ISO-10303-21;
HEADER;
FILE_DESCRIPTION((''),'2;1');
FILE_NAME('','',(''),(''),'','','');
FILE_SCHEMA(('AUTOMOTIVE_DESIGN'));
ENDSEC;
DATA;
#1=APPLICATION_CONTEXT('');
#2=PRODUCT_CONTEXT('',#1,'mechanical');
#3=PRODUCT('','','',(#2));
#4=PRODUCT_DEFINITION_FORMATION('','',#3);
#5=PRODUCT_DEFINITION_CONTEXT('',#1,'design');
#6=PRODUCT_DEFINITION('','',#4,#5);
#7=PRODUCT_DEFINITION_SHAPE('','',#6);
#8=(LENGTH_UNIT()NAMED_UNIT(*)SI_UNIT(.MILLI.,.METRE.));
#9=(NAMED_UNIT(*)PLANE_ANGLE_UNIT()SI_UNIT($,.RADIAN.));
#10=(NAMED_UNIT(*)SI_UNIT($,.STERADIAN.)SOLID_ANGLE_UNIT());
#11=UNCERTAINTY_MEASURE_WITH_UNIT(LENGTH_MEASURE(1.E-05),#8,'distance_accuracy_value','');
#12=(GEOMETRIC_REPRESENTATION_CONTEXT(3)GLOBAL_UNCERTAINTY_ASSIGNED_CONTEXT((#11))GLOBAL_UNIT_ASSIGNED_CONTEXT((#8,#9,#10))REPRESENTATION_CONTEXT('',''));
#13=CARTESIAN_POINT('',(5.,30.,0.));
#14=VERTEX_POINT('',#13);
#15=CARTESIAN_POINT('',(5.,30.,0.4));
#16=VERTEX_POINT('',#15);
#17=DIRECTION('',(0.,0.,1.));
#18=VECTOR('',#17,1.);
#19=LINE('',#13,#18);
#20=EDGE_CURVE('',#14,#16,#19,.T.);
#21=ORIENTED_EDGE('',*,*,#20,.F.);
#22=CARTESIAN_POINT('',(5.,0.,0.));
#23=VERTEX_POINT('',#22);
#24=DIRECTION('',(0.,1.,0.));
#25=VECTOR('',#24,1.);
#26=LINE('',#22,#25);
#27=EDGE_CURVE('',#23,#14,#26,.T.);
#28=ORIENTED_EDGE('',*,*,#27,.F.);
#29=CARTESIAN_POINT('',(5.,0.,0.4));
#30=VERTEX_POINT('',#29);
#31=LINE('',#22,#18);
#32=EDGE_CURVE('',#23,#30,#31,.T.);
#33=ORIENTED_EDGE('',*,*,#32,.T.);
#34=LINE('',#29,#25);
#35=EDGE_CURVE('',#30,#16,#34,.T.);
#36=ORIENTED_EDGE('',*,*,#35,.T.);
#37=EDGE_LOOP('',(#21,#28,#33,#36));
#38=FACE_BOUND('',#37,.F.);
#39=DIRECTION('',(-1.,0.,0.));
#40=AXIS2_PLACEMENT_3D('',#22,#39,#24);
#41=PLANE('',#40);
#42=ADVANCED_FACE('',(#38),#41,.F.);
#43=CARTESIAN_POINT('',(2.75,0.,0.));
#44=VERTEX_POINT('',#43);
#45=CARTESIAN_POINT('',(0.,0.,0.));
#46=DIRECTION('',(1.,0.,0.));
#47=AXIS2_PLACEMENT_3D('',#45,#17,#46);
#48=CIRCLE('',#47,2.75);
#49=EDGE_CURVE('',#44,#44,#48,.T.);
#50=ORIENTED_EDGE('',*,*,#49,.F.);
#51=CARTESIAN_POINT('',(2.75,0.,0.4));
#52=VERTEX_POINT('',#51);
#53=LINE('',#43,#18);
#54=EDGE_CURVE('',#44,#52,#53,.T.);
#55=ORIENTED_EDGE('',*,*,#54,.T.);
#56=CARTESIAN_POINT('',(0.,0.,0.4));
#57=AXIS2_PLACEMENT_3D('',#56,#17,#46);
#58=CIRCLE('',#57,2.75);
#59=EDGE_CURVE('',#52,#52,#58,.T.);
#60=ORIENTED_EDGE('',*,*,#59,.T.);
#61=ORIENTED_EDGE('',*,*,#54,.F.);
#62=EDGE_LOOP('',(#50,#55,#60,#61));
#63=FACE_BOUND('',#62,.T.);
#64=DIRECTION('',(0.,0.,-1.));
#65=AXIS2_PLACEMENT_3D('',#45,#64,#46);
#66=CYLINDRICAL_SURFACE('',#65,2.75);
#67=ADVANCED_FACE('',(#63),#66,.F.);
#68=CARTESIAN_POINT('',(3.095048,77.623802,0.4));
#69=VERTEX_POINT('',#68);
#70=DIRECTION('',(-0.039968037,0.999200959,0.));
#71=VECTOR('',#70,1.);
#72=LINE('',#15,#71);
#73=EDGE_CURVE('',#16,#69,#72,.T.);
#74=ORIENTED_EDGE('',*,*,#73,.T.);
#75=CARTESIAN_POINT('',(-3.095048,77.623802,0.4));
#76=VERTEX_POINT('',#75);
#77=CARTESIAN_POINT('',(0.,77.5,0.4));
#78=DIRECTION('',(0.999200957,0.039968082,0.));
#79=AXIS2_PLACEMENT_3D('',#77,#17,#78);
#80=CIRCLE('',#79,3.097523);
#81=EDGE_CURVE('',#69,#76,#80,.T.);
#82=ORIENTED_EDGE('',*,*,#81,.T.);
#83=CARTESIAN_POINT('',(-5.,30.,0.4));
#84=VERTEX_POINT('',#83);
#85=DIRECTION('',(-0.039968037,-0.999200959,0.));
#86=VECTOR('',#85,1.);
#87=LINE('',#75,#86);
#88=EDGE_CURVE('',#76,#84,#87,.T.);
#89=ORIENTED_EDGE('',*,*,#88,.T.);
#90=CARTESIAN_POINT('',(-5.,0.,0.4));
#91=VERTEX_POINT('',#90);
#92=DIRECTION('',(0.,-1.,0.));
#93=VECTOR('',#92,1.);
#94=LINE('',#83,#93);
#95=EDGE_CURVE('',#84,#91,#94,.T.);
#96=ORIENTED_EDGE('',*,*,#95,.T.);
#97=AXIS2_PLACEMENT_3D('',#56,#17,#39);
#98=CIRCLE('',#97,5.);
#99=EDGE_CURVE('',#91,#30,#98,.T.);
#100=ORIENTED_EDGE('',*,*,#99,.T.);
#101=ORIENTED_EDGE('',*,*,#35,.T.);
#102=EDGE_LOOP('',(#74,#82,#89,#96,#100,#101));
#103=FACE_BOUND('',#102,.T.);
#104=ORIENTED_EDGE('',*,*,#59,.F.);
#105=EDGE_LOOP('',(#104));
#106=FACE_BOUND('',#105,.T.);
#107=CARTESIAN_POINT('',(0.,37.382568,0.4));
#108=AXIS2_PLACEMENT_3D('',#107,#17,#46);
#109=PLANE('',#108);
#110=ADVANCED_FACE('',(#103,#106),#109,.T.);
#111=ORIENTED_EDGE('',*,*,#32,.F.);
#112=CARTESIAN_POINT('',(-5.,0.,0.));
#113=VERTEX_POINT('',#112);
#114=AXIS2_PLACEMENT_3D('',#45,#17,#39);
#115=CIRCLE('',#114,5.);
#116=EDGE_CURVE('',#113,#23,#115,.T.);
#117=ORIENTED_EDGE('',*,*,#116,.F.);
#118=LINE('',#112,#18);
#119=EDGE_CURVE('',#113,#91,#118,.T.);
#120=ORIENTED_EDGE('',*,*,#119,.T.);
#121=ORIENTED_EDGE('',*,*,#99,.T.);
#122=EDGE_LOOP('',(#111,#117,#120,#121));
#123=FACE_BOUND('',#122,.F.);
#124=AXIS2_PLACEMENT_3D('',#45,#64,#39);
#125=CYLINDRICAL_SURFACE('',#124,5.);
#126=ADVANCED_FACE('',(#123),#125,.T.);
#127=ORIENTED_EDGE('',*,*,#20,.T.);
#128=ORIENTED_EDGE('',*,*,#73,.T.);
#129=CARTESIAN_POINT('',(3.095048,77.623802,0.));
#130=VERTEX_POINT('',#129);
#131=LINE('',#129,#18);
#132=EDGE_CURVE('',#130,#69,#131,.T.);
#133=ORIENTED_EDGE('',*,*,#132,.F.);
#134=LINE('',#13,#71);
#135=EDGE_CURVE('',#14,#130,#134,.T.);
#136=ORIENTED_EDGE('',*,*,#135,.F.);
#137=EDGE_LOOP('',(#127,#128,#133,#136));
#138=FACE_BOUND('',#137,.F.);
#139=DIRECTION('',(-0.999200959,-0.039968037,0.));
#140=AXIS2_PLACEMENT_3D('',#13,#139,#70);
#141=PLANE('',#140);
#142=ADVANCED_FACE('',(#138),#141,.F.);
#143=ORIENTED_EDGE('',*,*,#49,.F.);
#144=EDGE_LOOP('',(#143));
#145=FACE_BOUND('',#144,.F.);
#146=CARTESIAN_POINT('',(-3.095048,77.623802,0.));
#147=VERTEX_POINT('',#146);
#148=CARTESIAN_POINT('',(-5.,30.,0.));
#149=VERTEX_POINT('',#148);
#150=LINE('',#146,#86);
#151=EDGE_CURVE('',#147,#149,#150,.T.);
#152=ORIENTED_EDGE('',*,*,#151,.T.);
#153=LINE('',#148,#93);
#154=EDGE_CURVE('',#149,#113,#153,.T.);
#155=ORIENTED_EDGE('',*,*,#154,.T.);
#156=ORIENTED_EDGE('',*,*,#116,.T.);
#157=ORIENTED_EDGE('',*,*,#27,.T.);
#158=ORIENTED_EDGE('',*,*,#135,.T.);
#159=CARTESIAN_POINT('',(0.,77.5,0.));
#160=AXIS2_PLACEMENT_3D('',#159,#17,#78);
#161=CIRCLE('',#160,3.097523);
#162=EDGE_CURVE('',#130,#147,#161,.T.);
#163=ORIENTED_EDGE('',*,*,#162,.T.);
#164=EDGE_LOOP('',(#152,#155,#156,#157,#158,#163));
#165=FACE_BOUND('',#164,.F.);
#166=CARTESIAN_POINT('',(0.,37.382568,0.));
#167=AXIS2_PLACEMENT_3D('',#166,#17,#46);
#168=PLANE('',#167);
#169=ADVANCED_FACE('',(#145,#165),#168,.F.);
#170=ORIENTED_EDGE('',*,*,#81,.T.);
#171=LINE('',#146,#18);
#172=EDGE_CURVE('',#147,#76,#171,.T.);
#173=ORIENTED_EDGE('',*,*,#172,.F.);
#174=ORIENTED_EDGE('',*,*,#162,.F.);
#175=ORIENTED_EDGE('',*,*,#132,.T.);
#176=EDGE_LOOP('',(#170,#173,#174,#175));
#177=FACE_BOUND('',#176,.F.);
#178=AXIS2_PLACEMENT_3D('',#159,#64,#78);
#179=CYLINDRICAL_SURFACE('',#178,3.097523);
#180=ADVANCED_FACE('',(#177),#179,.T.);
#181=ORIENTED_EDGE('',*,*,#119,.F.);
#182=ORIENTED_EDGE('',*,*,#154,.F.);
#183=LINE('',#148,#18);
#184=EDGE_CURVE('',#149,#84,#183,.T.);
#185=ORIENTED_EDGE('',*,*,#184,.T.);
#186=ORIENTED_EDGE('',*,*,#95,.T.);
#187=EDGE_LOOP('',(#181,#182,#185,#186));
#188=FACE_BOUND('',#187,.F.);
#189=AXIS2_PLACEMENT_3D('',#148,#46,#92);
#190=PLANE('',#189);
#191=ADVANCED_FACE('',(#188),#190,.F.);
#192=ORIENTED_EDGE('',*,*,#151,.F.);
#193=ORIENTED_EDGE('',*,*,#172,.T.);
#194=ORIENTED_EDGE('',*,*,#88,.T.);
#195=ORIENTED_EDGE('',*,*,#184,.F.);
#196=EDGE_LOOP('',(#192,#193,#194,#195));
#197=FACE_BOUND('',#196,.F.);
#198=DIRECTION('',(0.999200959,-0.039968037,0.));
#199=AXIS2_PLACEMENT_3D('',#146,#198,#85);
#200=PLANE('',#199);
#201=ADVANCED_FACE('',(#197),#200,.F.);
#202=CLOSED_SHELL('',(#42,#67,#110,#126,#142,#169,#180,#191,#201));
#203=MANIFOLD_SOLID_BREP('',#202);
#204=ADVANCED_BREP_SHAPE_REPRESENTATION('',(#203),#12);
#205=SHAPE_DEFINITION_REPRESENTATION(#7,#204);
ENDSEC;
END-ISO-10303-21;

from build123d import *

# Parameters (mm, degrees)
F0_R     = 2.75
F1_DEPTH = 0.4


with BuildPart() as f1:
    # F0 (on Top) → F1 (new body)
    with BuildSketch(Plane.XY):
        with BuildLine():
            Line((-5, 30), (-5, 0))
            ThreePointArc((-5, 0), (0, -5), (5, 0))
            Line((5, 0), (5, 30))
            Line((5, 30), (3.095048, 77.623802))
            ThreePointArc((3.095048, 77.623802), (0, 80.597523), (-3.095048, 77.623802))
            Line((-3.095048, 77.623802), (-5, 30))
        make_face()
        Circle(F0_R, mode=Mode.SUBTRACT)
    extrude(amount=F1_DEPTH)


solid = f1.part
